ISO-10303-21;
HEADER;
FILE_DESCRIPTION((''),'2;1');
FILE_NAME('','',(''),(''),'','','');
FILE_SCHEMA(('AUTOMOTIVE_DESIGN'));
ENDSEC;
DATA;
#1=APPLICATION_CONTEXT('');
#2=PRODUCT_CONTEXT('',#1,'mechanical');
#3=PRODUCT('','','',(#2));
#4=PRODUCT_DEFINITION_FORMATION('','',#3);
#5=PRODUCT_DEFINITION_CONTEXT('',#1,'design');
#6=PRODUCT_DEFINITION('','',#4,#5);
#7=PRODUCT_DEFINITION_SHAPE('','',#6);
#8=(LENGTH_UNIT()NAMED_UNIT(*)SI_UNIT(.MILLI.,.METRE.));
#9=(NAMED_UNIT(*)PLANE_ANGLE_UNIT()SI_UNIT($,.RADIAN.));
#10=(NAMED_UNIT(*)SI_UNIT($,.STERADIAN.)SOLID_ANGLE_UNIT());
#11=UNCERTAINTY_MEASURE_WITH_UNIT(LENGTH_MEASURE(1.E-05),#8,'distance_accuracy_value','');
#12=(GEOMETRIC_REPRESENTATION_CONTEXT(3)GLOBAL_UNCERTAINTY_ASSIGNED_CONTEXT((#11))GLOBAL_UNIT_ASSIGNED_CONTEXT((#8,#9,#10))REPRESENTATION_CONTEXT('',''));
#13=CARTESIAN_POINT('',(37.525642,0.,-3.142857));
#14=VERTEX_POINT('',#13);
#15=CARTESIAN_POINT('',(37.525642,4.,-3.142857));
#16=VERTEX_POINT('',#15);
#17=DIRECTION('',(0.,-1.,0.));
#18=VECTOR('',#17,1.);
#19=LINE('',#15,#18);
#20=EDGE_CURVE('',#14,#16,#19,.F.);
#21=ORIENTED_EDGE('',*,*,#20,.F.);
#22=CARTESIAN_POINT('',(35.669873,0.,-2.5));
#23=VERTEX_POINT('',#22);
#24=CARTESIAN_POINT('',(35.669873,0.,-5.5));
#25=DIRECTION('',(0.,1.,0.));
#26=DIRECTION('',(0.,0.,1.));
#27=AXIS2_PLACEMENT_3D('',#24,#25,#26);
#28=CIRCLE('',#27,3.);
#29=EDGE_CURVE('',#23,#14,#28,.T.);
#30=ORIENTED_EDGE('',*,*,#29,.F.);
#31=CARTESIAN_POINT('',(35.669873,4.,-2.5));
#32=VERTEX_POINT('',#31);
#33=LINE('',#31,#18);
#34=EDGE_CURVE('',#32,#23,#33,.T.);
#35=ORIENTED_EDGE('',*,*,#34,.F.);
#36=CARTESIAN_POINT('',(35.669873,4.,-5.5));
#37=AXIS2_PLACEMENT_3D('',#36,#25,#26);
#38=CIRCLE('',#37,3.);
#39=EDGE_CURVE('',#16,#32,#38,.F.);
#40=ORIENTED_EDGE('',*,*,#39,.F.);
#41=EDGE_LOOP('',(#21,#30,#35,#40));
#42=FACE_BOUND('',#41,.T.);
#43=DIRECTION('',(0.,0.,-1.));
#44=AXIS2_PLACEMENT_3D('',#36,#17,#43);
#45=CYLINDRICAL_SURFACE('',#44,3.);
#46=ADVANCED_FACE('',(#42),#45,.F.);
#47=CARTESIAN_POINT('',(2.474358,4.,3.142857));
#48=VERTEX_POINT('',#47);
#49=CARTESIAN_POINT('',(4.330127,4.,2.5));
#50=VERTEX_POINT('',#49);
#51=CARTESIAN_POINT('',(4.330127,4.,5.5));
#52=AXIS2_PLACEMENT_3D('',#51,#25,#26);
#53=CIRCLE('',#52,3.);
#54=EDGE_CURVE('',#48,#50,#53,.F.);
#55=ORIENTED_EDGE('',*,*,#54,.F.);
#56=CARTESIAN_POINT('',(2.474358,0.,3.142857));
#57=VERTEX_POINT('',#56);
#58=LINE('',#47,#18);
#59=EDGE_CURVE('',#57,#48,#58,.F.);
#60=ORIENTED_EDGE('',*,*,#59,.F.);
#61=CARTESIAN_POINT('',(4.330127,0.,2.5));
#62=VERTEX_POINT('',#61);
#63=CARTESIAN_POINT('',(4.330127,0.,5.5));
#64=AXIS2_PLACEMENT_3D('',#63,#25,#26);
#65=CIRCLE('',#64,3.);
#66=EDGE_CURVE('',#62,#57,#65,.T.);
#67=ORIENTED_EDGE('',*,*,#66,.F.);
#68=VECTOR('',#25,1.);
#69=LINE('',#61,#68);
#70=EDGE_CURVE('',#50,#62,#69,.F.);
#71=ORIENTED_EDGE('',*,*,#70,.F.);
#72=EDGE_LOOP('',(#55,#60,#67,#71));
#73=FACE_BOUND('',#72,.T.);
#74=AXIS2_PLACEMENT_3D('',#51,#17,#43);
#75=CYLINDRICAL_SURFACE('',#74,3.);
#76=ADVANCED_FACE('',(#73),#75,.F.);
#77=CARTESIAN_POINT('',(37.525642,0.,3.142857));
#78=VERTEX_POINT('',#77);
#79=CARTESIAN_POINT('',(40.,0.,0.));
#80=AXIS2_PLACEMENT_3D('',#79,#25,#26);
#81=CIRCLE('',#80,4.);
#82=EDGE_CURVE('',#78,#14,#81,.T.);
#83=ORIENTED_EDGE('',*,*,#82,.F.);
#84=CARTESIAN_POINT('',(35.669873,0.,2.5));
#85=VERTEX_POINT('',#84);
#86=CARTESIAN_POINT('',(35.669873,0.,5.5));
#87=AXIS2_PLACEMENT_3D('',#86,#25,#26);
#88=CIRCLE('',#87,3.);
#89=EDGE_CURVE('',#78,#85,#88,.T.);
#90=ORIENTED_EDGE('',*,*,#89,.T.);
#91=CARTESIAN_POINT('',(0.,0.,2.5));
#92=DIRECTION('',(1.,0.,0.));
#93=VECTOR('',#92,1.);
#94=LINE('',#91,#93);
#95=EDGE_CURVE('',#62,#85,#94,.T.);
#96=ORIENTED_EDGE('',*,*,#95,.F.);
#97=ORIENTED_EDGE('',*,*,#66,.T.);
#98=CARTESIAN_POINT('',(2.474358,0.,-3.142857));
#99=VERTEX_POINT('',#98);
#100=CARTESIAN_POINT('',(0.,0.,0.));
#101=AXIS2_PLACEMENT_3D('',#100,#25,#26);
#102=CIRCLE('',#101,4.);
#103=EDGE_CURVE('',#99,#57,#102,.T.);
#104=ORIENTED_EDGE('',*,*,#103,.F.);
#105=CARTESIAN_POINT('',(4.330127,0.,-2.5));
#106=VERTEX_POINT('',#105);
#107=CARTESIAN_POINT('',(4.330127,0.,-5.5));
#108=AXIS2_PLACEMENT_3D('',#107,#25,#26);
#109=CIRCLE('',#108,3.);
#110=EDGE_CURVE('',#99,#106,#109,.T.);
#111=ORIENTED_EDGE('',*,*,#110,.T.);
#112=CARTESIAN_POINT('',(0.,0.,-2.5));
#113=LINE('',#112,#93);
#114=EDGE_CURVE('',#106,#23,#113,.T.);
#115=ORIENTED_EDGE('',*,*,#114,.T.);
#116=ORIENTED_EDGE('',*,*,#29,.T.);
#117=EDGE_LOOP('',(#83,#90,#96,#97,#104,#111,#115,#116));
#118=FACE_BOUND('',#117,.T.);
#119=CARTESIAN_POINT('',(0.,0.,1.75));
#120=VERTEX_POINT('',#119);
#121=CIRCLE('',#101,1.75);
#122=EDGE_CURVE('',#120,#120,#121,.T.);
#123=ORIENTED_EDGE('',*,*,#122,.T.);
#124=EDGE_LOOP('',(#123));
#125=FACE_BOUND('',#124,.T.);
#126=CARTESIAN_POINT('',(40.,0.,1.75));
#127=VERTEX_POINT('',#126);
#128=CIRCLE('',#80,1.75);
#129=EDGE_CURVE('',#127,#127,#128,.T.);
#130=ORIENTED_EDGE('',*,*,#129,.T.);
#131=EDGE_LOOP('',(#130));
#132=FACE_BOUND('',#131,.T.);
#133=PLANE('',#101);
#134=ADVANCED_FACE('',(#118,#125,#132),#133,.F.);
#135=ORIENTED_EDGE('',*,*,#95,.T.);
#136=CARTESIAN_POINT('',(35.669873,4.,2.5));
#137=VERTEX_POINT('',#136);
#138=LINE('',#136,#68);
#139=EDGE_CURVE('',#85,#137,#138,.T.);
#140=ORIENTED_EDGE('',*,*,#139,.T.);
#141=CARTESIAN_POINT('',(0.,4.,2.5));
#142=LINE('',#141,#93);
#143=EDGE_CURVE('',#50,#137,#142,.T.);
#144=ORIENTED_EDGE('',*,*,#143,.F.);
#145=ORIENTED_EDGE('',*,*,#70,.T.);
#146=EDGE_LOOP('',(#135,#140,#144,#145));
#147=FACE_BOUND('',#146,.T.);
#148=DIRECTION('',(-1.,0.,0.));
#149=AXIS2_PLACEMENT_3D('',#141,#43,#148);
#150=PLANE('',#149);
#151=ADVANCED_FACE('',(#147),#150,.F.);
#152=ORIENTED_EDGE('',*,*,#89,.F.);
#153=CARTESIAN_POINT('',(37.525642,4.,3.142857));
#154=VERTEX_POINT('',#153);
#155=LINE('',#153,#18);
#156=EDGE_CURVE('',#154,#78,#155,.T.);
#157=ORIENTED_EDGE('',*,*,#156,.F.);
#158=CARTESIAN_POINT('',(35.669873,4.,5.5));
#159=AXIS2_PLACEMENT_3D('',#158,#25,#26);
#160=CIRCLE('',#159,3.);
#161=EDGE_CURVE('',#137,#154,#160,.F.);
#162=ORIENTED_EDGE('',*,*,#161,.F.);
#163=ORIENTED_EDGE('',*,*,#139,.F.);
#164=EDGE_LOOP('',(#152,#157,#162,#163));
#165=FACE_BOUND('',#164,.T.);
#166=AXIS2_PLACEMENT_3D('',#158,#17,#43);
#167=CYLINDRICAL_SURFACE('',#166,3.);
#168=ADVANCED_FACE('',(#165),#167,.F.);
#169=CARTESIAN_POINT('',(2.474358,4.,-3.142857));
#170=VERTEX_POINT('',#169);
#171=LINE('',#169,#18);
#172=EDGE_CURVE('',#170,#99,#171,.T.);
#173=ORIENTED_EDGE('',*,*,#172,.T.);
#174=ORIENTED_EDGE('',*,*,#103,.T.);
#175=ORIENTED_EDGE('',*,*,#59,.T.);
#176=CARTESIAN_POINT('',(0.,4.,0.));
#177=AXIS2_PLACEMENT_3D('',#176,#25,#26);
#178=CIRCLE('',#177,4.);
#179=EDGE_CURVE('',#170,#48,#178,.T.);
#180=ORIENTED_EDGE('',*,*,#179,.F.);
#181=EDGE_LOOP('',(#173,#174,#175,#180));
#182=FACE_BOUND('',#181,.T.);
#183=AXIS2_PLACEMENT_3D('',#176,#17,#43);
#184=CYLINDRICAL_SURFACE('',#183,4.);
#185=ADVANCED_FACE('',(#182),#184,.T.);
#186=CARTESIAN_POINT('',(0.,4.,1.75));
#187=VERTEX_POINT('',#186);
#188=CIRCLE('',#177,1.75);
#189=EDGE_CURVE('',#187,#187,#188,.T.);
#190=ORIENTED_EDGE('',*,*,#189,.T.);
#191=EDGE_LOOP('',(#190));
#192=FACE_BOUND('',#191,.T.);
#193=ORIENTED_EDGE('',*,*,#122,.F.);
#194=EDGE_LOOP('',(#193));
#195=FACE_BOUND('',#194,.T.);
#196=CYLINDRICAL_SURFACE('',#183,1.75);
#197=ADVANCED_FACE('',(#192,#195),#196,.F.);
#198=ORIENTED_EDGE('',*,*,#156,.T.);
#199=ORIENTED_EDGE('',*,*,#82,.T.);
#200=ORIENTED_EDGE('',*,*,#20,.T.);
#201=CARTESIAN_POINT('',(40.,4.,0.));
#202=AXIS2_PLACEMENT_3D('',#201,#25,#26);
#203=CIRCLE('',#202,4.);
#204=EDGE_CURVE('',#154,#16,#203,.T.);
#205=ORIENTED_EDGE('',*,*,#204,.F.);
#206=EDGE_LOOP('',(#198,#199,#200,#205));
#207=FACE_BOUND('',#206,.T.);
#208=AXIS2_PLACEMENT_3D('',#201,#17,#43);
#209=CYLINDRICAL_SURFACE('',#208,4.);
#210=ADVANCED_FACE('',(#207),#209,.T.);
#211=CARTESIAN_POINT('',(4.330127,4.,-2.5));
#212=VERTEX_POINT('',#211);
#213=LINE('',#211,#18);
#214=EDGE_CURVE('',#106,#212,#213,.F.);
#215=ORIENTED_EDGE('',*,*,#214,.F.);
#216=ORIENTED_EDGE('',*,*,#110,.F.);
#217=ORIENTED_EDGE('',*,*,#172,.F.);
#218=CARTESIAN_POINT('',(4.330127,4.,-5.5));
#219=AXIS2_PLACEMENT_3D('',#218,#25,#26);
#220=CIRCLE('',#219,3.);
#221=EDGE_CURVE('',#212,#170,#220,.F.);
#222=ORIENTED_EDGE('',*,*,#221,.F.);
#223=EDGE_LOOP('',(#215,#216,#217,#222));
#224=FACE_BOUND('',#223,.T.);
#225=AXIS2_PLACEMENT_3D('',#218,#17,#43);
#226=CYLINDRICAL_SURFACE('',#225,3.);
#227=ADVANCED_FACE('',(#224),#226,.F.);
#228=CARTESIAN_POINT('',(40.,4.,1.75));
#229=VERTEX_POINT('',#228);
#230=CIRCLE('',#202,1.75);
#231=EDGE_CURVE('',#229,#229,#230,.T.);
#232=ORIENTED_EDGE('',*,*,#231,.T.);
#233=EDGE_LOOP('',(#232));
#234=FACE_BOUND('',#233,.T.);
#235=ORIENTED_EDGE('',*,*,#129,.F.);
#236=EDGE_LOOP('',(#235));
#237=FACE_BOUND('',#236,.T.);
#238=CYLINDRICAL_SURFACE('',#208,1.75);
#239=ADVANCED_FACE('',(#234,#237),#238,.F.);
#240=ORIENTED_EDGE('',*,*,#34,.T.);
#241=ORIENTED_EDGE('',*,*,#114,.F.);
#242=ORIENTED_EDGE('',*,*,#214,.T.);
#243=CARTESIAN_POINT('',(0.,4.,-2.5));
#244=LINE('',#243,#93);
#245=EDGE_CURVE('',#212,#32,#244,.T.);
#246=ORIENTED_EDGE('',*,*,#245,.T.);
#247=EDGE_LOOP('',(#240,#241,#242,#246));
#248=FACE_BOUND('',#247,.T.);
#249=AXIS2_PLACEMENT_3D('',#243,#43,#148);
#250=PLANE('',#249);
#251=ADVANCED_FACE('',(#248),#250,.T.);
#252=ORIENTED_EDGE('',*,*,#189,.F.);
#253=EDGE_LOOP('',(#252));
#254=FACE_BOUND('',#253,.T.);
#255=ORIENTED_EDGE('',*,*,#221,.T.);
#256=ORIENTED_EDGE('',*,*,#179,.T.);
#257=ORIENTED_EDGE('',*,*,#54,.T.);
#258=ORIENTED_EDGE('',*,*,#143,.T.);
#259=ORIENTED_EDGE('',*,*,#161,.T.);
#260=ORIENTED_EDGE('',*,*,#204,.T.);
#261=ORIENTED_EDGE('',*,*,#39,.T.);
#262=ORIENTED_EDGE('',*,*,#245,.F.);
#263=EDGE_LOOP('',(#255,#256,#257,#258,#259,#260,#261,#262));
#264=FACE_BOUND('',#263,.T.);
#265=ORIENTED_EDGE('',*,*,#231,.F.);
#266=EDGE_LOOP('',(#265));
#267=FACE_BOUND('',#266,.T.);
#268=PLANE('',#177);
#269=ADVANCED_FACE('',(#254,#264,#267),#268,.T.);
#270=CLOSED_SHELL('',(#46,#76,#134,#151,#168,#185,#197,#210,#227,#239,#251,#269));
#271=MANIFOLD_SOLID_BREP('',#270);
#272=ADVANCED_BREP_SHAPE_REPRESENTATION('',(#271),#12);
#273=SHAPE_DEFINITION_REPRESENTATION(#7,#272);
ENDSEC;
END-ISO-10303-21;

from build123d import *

# Parameters (mm, degrees)
SKETCH1_R           = 1.75
BOSS_EXTRUDE1_DEPTH = 4
FILLET1_R           = 3


with BuildPart() as part:
    # Sketch1 → Boss-Extrude1 (new body)
    with BuildSketch(Plane(origin=(0, 0, 0), x_dir=(1, 0, 0), z_dir=(0, 1, 0))):
        with BuildLine():
            ThreePointArc((3.122498999, 2.5), (-4, 0), (3.122498999, -2.5))
            Line((3.122498999, -2.5), (36.877501001, -2.5))
            ThreePointArc((36.877501001, -2.5), (44, 0), (36.877501001, 2.5))
            Line((36.877501001, 2.5), (3.122498999, 2.5))
        make_face()
        with Locations(Location((0, 0, 0), (0, 0, 270))):
            Circle(SKETCH1_R, mode=Mode.SUBTRACT)
        with Locations(Location((40, 0, 0), (0, 0, 270))):
            Circle(SKETCH1_R, mode=Mode.SUBTRACT)
    extrude(amount=BOSS_EXTRUDE1_DEPTH)

    # Fillet1
    fillet1_edges = [part.edges().sort_by_distance(p)[0] for p in [
        (36.877501001, 2, 2.5),
        (3.122498999, 2, 2.5),
        (3.122498999, 2, -2.5),
        (36.877501001, 2, -2.5),
    ]]
    fillet(fillet1_edges, radius=FILLET1_R)


solid = part.part
